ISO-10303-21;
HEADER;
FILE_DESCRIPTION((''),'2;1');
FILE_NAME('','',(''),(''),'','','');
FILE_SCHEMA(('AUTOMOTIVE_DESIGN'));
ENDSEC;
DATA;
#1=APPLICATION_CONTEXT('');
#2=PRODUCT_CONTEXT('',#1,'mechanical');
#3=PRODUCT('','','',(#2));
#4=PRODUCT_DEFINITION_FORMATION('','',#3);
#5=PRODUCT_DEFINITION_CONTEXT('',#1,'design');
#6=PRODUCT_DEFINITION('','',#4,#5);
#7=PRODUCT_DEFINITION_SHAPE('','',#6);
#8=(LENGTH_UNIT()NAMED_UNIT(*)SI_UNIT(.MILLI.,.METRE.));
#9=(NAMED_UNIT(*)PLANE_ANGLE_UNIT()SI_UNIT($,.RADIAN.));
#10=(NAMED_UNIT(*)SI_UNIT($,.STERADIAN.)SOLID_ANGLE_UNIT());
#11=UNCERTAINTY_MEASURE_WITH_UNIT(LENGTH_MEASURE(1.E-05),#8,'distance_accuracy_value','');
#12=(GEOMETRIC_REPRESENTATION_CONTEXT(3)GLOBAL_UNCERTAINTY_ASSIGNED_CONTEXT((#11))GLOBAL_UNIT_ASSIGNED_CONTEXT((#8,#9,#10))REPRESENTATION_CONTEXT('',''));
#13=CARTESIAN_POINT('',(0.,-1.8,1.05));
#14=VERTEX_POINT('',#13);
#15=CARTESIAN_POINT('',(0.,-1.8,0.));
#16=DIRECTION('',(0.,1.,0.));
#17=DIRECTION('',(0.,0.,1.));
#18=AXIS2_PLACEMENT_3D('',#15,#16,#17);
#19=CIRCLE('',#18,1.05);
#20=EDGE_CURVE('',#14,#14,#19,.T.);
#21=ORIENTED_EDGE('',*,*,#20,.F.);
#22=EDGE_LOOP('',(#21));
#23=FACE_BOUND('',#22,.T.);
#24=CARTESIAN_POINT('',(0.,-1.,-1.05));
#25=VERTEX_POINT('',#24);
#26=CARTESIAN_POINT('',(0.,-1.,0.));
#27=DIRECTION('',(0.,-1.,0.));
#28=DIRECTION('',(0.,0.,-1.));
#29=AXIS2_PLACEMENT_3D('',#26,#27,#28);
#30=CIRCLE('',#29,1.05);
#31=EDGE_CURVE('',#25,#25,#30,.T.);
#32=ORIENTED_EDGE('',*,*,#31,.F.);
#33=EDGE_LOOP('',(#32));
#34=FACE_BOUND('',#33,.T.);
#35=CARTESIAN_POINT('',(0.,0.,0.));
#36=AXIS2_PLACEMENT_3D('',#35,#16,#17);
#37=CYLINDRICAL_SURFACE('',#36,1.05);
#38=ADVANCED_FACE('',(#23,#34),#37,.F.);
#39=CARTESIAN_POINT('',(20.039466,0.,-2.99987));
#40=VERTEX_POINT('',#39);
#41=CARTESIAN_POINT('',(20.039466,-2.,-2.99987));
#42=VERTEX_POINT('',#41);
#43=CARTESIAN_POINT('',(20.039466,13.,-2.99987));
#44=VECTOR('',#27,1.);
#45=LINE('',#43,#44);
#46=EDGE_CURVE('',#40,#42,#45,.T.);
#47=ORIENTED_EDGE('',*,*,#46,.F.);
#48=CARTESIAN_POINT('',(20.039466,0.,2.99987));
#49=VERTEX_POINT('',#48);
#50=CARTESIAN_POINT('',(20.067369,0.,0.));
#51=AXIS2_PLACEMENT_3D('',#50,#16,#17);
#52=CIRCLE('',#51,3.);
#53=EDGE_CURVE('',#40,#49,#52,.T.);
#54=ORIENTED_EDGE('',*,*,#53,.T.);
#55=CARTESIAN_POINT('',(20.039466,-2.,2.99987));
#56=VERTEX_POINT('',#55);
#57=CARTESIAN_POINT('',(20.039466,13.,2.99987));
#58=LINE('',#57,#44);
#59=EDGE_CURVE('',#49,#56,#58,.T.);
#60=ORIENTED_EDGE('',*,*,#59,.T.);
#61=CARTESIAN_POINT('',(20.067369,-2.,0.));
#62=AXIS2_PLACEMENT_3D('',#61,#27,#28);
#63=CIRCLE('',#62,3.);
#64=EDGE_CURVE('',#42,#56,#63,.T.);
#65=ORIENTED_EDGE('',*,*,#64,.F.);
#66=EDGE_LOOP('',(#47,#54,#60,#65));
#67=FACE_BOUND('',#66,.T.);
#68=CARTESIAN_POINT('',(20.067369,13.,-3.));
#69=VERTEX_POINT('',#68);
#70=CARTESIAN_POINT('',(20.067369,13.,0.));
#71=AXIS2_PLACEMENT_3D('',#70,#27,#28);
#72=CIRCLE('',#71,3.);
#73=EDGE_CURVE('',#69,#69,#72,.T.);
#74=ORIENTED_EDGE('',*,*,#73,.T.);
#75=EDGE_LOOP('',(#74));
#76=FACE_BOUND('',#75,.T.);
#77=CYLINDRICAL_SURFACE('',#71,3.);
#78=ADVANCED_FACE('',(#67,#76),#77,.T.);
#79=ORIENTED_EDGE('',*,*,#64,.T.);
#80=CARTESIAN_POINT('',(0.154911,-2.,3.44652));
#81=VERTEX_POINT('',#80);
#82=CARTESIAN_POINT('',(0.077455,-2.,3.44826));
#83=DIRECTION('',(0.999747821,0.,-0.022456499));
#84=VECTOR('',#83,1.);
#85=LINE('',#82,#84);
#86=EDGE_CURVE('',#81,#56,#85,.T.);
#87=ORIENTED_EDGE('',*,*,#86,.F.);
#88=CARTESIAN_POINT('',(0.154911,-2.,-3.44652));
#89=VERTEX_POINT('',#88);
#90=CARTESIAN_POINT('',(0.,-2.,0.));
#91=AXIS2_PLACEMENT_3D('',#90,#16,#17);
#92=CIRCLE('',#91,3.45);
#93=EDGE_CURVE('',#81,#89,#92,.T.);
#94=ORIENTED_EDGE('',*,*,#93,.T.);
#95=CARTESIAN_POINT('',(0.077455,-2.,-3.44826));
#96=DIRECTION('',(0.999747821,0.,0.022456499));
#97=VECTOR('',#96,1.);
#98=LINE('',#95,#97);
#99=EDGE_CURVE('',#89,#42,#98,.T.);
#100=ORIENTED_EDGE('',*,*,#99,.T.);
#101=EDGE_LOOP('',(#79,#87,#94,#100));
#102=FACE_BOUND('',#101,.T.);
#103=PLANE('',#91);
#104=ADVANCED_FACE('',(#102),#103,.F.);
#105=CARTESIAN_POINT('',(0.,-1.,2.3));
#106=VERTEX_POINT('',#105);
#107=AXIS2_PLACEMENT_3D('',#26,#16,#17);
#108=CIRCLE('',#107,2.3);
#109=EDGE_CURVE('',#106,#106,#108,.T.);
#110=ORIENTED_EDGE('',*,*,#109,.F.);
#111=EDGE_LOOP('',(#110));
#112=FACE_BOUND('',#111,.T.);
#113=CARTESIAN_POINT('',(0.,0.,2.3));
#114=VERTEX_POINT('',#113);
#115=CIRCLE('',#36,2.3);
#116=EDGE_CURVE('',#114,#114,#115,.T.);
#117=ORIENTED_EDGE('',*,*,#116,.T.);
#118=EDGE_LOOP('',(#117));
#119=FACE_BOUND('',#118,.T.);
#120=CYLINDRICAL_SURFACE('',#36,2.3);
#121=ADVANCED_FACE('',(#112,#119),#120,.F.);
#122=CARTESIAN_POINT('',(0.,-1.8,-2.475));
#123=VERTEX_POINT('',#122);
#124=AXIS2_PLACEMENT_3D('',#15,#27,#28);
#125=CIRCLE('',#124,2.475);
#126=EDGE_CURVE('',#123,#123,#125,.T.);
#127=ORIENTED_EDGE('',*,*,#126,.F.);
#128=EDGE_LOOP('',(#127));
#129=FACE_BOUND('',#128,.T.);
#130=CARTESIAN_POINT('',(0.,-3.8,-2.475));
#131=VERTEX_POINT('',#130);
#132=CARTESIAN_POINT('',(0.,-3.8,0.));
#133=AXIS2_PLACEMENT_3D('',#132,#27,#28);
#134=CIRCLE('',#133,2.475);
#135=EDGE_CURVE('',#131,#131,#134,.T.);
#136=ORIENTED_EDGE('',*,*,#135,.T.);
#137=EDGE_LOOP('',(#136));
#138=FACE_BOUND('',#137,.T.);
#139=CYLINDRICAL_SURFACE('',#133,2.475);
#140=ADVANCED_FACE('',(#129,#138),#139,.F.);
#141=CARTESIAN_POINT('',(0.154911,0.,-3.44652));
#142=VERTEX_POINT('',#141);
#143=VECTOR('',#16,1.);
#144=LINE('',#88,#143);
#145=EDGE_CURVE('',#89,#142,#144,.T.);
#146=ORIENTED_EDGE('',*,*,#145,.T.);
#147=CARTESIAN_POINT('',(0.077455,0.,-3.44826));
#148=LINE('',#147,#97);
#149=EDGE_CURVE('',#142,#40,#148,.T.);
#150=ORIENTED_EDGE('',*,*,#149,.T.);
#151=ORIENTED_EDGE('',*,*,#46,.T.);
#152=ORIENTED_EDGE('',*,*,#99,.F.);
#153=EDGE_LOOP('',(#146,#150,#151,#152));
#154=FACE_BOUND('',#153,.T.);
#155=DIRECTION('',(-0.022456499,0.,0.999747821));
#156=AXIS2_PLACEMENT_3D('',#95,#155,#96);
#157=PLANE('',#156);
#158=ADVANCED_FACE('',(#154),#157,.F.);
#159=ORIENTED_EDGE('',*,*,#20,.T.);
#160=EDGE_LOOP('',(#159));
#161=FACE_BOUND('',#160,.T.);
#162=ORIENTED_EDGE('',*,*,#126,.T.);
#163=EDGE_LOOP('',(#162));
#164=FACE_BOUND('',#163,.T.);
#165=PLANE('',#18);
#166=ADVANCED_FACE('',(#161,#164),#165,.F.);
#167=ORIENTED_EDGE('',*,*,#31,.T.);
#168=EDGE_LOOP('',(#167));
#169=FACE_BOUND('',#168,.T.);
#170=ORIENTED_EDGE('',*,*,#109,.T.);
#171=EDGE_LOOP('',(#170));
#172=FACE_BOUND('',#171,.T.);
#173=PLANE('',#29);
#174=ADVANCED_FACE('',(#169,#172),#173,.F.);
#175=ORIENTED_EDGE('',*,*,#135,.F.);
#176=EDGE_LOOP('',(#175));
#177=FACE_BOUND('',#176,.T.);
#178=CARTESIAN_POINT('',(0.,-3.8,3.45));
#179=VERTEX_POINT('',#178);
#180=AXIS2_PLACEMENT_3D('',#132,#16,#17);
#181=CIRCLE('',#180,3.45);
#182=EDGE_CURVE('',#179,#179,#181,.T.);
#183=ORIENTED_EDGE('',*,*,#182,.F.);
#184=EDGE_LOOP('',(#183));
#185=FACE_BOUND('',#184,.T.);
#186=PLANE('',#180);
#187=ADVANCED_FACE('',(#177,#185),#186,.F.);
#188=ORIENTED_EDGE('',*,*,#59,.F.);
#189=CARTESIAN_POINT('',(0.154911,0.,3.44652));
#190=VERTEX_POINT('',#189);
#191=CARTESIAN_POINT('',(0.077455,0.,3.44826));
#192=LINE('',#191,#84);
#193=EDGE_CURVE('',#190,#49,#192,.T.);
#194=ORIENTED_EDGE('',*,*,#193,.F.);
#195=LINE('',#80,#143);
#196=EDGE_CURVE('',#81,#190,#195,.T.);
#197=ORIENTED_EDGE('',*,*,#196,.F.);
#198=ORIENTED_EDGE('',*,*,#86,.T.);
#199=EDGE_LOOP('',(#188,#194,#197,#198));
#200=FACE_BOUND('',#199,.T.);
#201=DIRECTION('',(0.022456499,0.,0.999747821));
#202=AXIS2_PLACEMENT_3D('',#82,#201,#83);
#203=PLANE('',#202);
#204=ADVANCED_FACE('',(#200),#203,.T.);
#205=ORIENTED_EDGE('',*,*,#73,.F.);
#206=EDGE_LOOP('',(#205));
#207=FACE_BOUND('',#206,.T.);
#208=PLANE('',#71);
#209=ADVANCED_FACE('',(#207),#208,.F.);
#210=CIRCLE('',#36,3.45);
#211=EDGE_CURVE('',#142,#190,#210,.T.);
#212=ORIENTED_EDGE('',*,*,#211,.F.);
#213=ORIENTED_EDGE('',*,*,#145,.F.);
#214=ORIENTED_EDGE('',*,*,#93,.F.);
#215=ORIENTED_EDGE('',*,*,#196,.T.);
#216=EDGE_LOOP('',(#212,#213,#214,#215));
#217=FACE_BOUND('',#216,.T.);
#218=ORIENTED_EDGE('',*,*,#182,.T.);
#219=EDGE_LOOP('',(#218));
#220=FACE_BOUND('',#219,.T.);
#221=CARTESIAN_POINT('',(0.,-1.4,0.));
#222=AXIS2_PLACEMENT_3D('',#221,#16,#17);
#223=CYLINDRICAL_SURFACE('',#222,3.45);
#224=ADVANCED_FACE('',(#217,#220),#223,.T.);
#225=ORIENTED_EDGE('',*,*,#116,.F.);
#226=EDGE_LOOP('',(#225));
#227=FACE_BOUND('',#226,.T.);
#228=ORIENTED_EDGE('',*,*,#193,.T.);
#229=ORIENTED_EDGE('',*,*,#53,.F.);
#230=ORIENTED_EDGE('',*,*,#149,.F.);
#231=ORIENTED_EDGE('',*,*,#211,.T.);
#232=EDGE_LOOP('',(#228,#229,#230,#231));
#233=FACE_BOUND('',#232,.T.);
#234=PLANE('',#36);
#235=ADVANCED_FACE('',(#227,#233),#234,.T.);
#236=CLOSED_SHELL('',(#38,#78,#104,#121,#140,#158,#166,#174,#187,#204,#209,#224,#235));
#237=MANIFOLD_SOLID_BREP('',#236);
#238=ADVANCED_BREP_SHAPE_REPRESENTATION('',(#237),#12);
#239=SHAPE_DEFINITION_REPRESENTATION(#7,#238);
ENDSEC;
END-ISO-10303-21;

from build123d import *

# Parameters (mm, degrees)
ESBO_O1_R                = 3.45
RESSALTO_EXTRUS_O1_DEPTH = 1.4
ESBO_O2_R                = 3.45
RESSALTO_EXTRUS_O2_DEPTH = 2.4
FURO1_D                  = 4.95
FURO1_DEPTH              = 2
FURO2_D                  = 4.6
FURO2_DEPTH              = 1
FURO3_D                  = 2.1
BOSS_EXTRUDE1_DEPTH      = 2
SKETCH3_R                = 3
BOSS_EXTRUDE2_DEPTH      = 15


with BuildPart() as part:
    # Esboço1 → Ressalto-extrusão1 (new body)
    with BuildSketch(Plane(origin=(0, 0, 0), x_dir=(1, 0, 0), z_dir=(0, 1, 0))):
        with Locations(Location((0, 0, 0), (0, 0, 270))):
            Circle(ESBO_O1_R)
    extrude(amount=-RESSALTO_EXTRUS_O1_DEPTH)

    # Esboço2 → Ressalto-extrusão2 (add)
    with BuildSketch(Plane.XZ.offset(1.4)):
        with Locations(Location((0, 0, 0), (0, 0, 90))):
            Circle(ESBO_O2_R)
    extrude(amount=RESSALTO_EXTRUS_O2_DEPTH)

    # Furo1
    with Locations(Plane(origin=(0, -3.8, 0), x_dir=(-1, 0, 0), z_dir=(0, -1, 0))):
        with Locations((0, 0)):
            Hole(FURO1_D / 2, depth=FURO1_DEPTH)

    # Furo2
    with Locations(Plane(origin=(0, 0, 0), x_dir=(1, 0, 0), z_dir=(0, 1, 0))):
        with Locations((0, 0)):
            Hole(FURO2_D / 2, depth=FURO2_DEPTH)

    # Furo3 (through all)
    with Locations(Plane(origin=(0, 0, 0), x_dir=(1, 0, 0), z_dir=(0, 1, 0))):
        with Locations((0, 0)):
            Hole(FURO3_D / 2)

    # Sketch2 → Boss-Extrude1 (add)
    with BuildSketch(Plane(origin=(0, 0, 0), x_dir=(1, 0, 0), z_dir=(0, 1, 0))):
        with BuildLine():
            Line((20.067369497, 2.999243463), (0.154910769, 3.446520369))
            ThreePointArc((0.154910769, 3.446520369), (2.493686243, 2.384120157), (3.45, 0))
            ThreePointArc((3.45, 0), (2.493686243, -2.384120157), (0.154910769, -3.446520369))
            Line((0.154910769, -3.446520369), (20.067369497, -2.999243463))
            ThreePointArc((20.067369497, -2.999243463), (23, 0), (20.067369497, 2.999243463))
        make_face()
    extrude(amount=-BOSS_EXTRUDE1_DEPTH)

    # Sketch3 → Boss-Extrude2 (add)
    with BuildSketch(Plane.XZ.offset(2)):
        with Locations(Location((20.067369497, 0, 0), (0, 0, 270))):
            Circle(SKETCH3_R)
    extrude(amount=-BOSS_EXTRUDE2_DEPTH)


solid = part.part
